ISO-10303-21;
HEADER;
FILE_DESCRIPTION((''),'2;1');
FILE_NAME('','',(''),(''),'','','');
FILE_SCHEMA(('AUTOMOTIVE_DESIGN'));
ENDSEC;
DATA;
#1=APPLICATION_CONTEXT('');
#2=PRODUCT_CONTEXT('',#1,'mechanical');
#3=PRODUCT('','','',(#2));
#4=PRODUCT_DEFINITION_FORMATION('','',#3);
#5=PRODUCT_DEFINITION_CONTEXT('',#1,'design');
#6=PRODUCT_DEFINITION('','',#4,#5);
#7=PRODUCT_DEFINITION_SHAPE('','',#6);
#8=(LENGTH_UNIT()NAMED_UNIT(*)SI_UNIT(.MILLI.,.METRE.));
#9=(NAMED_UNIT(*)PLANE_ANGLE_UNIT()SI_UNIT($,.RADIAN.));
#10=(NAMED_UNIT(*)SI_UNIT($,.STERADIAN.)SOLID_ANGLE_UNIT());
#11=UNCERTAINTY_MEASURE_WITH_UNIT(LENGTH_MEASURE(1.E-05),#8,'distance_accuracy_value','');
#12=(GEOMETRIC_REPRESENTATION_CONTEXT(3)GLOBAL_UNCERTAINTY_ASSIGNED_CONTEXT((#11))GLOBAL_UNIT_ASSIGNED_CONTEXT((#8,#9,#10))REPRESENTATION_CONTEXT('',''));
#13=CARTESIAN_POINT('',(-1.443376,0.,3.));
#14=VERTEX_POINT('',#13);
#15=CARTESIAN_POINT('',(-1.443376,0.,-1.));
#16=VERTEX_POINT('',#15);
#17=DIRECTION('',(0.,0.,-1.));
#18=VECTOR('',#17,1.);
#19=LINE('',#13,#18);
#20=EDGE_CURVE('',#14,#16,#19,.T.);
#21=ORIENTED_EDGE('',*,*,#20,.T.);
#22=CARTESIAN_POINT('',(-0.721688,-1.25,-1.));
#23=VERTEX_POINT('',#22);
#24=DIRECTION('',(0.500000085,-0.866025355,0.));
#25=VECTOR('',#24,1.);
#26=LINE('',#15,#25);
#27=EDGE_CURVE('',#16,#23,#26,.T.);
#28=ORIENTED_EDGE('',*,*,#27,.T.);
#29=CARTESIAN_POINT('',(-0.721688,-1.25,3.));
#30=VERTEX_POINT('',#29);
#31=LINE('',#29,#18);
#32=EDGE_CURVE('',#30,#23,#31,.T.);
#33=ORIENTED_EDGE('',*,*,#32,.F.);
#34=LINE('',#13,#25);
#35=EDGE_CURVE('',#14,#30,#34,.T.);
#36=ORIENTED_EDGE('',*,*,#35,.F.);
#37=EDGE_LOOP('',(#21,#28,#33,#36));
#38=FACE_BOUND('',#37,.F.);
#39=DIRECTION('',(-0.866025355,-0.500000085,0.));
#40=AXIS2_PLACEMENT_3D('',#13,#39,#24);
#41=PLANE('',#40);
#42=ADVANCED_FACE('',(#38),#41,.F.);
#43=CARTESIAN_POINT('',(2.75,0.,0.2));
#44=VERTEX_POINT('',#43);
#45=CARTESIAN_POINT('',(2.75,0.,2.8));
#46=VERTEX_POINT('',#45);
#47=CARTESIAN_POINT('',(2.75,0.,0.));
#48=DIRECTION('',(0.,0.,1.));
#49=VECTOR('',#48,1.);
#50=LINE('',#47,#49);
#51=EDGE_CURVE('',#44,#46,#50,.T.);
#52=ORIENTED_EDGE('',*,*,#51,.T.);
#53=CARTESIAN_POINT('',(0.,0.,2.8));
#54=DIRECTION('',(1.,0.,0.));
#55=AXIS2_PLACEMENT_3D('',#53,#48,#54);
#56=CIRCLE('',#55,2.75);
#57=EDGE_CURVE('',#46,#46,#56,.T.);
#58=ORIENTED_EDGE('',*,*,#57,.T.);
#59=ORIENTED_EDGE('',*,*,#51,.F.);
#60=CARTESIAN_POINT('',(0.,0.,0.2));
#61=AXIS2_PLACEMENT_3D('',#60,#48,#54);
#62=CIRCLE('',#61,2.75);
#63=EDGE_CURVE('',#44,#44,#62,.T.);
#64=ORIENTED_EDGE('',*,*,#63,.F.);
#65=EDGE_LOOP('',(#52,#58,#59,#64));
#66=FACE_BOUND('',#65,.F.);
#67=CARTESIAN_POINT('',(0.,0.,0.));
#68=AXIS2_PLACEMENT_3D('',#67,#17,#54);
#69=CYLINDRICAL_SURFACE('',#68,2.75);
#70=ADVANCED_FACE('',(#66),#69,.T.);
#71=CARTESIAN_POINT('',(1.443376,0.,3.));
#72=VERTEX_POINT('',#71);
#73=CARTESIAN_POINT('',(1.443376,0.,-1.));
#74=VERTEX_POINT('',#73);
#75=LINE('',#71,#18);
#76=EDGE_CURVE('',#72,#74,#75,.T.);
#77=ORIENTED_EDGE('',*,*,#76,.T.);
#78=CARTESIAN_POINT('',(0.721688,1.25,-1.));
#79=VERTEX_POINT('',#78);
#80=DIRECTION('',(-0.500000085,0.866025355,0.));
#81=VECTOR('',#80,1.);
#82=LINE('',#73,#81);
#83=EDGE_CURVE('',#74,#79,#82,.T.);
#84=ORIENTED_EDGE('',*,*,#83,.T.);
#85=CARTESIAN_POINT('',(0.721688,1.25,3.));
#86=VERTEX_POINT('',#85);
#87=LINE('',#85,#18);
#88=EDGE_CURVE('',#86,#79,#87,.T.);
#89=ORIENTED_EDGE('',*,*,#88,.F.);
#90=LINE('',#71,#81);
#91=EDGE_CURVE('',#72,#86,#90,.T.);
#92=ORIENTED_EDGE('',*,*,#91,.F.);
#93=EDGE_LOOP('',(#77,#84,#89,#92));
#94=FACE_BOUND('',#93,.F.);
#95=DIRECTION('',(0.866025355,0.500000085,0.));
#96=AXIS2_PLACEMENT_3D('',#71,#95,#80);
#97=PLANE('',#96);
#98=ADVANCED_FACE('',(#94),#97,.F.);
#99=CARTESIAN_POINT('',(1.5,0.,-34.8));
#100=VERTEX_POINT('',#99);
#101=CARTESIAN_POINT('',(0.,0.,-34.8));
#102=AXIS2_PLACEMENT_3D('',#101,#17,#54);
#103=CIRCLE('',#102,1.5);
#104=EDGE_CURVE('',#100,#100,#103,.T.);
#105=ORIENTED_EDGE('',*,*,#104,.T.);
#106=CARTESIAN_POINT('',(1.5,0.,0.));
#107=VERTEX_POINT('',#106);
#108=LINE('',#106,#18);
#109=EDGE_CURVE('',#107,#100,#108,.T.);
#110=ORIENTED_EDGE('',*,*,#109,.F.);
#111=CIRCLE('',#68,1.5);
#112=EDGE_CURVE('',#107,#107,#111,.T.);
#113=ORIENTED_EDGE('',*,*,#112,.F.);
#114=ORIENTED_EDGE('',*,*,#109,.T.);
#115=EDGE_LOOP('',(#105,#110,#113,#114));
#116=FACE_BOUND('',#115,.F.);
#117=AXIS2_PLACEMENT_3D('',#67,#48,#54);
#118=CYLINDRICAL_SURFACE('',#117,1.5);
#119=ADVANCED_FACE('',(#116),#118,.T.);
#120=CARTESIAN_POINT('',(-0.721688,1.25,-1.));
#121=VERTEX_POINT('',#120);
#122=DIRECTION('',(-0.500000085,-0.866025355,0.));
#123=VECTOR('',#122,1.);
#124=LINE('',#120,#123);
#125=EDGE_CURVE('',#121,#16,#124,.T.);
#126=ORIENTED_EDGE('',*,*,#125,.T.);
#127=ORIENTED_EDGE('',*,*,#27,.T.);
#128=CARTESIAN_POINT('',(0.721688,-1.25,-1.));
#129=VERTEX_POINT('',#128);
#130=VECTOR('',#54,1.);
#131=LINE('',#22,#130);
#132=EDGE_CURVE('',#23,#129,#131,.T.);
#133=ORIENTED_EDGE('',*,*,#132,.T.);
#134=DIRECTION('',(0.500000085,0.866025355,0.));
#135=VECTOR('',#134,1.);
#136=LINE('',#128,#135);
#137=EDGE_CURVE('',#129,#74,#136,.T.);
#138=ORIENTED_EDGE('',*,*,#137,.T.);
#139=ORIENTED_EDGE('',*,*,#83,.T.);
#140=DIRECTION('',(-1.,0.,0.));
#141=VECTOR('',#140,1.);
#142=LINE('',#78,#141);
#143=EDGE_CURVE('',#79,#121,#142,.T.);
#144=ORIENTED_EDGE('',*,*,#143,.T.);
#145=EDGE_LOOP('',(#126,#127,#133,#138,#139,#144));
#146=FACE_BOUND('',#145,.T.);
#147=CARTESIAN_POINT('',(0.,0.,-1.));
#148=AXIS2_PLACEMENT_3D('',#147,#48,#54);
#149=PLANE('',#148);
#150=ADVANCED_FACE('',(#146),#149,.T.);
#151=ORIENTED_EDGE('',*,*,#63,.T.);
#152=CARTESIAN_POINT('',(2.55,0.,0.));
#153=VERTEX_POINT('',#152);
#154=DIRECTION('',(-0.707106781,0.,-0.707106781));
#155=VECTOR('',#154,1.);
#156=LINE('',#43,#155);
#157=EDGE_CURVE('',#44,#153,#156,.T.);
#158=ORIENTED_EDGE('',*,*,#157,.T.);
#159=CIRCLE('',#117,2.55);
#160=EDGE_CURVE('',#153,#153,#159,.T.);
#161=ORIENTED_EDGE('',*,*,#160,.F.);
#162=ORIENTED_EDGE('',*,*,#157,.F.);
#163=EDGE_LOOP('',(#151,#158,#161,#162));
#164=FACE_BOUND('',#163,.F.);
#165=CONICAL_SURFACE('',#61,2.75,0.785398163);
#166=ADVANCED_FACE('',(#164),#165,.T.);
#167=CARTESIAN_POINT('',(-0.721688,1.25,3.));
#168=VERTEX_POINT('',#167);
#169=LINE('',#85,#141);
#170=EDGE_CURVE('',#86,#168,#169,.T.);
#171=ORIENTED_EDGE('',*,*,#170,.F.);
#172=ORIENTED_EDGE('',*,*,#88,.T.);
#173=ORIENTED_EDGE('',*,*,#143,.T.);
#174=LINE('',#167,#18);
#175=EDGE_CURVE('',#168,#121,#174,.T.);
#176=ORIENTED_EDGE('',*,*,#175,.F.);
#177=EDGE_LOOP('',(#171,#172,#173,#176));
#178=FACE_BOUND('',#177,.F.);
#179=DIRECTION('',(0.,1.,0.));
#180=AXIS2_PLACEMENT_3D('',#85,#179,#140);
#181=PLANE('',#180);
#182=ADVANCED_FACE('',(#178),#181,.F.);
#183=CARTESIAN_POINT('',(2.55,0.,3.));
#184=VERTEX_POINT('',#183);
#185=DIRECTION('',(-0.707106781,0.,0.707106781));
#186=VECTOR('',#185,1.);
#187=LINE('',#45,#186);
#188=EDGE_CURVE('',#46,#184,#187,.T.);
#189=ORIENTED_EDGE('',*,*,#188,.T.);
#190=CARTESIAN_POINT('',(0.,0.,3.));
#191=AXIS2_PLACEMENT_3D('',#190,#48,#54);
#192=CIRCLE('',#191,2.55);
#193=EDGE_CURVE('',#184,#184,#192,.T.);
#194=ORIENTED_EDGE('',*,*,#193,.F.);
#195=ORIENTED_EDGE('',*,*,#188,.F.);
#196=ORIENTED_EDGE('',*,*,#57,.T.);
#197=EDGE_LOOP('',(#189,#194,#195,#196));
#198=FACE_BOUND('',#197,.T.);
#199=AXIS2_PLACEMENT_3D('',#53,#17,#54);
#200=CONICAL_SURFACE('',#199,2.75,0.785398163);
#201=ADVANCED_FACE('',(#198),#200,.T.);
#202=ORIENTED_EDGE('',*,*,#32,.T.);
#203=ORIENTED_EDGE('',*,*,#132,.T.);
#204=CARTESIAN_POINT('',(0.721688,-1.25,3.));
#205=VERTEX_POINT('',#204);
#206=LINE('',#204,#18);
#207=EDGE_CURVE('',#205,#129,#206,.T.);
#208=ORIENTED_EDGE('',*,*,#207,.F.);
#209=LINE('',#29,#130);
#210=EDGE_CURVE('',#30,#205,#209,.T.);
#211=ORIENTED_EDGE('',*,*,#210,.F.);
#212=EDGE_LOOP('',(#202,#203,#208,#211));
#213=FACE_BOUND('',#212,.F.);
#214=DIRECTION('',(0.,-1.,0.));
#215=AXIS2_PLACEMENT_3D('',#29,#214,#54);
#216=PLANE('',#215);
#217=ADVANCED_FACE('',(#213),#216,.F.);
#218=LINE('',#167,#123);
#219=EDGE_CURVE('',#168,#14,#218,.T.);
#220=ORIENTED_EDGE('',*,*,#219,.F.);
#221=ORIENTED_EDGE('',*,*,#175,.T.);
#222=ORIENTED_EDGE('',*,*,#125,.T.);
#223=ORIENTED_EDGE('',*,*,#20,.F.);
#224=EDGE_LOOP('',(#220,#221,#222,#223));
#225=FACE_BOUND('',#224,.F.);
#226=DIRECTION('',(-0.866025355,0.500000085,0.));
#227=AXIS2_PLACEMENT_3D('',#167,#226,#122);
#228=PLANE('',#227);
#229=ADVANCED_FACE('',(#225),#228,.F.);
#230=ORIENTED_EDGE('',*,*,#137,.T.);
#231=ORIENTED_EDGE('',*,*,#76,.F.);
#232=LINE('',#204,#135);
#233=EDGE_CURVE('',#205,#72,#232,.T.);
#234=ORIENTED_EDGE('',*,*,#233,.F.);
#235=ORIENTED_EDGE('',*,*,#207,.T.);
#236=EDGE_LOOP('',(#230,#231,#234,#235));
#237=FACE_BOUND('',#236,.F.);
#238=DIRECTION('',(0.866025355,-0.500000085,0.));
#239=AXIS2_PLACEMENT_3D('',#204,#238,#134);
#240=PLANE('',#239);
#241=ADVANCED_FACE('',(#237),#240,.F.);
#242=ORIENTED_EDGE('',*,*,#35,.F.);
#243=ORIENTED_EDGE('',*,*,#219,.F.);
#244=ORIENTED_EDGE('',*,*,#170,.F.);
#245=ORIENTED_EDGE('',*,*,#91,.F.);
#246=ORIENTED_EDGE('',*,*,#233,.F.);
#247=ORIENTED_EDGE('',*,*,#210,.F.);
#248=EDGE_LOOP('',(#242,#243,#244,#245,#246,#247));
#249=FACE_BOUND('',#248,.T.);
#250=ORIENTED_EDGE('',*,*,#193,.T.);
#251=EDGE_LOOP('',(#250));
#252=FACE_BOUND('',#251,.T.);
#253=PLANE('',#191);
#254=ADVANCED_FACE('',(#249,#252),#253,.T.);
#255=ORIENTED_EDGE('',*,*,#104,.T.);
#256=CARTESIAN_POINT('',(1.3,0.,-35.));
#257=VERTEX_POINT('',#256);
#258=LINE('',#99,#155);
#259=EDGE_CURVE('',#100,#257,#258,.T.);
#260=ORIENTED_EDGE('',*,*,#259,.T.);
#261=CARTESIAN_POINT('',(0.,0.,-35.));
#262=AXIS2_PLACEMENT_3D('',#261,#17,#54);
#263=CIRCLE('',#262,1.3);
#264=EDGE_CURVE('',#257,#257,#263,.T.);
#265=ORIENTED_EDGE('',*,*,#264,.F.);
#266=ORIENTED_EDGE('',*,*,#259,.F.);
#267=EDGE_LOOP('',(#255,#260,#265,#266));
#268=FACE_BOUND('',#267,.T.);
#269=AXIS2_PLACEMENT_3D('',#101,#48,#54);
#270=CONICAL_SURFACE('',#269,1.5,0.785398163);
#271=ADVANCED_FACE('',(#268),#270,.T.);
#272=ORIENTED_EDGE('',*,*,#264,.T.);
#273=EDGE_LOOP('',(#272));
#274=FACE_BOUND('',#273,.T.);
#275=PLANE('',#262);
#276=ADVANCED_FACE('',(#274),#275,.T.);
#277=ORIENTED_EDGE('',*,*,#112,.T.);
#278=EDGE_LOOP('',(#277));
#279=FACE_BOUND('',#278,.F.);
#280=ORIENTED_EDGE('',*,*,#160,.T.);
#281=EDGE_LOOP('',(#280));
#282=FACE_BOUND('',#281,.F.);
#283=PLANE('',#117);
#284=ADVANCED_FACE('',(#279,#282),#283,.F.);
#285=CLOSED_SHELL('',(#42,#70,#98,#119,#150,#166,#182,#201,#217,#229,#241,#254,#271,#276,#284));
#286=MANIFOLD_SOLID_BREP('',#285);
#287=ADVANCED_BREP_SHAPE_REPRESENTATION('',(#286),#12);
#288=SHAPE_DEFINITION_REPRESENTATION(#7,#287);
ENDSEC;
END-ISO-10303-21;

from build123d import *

# Parameters (mm, degrees)
SKETCH_R     = 2.75
PAD_DEPTH    = 3
SKETCH001_R  = 1.5
PAD001_DEPTH = 35
POCKET_DEPTH = 4
CHAMFER_SIZE = 0.2


with BuildPart() as part:
    # Sketch → Pad (new body)
    with BuildSketch(Plane.XY):
        Circle(SKETCH_R)
    extrude(amount=PAD_DEPTH)

    # Sketch001 (on Face2 of Pad) → Pad001 (join)
    with BuildSketch(Plane(origin=(0, 0, 0), x_dir=(1, 0, 0), z_dir=(0, 0, -1))):
        Circle(SKETCH001_R)
    extrude(amount=PAD001_DEPTH)

    # Sketch002 (on DatumPlane) → Pocket (cut)
    with BuildSketch(Plane.XY.offset(3)):
        Polygon((0.721688, -1.25), (1.443376, 0), (0.721688, 1.25), (-0.721688, 1.25), (-1.443376, 0), (-0.721688, -1.25), align=None)
    extrude(amount=-POCKET_DEPTH, mode=Mode.SUBTRACT)

    # Chamfer
    chamfer_edges = [part.edges().sort_by_distance(p)[0] for p in [
        (-1.5, 0, -35),
        (-2.75, 0, 0),
        (-2.75, 0, 3),
    ]]
    chamfer(chamfer_edges, length=CHAMFER_SIZE)


solid = part.part
